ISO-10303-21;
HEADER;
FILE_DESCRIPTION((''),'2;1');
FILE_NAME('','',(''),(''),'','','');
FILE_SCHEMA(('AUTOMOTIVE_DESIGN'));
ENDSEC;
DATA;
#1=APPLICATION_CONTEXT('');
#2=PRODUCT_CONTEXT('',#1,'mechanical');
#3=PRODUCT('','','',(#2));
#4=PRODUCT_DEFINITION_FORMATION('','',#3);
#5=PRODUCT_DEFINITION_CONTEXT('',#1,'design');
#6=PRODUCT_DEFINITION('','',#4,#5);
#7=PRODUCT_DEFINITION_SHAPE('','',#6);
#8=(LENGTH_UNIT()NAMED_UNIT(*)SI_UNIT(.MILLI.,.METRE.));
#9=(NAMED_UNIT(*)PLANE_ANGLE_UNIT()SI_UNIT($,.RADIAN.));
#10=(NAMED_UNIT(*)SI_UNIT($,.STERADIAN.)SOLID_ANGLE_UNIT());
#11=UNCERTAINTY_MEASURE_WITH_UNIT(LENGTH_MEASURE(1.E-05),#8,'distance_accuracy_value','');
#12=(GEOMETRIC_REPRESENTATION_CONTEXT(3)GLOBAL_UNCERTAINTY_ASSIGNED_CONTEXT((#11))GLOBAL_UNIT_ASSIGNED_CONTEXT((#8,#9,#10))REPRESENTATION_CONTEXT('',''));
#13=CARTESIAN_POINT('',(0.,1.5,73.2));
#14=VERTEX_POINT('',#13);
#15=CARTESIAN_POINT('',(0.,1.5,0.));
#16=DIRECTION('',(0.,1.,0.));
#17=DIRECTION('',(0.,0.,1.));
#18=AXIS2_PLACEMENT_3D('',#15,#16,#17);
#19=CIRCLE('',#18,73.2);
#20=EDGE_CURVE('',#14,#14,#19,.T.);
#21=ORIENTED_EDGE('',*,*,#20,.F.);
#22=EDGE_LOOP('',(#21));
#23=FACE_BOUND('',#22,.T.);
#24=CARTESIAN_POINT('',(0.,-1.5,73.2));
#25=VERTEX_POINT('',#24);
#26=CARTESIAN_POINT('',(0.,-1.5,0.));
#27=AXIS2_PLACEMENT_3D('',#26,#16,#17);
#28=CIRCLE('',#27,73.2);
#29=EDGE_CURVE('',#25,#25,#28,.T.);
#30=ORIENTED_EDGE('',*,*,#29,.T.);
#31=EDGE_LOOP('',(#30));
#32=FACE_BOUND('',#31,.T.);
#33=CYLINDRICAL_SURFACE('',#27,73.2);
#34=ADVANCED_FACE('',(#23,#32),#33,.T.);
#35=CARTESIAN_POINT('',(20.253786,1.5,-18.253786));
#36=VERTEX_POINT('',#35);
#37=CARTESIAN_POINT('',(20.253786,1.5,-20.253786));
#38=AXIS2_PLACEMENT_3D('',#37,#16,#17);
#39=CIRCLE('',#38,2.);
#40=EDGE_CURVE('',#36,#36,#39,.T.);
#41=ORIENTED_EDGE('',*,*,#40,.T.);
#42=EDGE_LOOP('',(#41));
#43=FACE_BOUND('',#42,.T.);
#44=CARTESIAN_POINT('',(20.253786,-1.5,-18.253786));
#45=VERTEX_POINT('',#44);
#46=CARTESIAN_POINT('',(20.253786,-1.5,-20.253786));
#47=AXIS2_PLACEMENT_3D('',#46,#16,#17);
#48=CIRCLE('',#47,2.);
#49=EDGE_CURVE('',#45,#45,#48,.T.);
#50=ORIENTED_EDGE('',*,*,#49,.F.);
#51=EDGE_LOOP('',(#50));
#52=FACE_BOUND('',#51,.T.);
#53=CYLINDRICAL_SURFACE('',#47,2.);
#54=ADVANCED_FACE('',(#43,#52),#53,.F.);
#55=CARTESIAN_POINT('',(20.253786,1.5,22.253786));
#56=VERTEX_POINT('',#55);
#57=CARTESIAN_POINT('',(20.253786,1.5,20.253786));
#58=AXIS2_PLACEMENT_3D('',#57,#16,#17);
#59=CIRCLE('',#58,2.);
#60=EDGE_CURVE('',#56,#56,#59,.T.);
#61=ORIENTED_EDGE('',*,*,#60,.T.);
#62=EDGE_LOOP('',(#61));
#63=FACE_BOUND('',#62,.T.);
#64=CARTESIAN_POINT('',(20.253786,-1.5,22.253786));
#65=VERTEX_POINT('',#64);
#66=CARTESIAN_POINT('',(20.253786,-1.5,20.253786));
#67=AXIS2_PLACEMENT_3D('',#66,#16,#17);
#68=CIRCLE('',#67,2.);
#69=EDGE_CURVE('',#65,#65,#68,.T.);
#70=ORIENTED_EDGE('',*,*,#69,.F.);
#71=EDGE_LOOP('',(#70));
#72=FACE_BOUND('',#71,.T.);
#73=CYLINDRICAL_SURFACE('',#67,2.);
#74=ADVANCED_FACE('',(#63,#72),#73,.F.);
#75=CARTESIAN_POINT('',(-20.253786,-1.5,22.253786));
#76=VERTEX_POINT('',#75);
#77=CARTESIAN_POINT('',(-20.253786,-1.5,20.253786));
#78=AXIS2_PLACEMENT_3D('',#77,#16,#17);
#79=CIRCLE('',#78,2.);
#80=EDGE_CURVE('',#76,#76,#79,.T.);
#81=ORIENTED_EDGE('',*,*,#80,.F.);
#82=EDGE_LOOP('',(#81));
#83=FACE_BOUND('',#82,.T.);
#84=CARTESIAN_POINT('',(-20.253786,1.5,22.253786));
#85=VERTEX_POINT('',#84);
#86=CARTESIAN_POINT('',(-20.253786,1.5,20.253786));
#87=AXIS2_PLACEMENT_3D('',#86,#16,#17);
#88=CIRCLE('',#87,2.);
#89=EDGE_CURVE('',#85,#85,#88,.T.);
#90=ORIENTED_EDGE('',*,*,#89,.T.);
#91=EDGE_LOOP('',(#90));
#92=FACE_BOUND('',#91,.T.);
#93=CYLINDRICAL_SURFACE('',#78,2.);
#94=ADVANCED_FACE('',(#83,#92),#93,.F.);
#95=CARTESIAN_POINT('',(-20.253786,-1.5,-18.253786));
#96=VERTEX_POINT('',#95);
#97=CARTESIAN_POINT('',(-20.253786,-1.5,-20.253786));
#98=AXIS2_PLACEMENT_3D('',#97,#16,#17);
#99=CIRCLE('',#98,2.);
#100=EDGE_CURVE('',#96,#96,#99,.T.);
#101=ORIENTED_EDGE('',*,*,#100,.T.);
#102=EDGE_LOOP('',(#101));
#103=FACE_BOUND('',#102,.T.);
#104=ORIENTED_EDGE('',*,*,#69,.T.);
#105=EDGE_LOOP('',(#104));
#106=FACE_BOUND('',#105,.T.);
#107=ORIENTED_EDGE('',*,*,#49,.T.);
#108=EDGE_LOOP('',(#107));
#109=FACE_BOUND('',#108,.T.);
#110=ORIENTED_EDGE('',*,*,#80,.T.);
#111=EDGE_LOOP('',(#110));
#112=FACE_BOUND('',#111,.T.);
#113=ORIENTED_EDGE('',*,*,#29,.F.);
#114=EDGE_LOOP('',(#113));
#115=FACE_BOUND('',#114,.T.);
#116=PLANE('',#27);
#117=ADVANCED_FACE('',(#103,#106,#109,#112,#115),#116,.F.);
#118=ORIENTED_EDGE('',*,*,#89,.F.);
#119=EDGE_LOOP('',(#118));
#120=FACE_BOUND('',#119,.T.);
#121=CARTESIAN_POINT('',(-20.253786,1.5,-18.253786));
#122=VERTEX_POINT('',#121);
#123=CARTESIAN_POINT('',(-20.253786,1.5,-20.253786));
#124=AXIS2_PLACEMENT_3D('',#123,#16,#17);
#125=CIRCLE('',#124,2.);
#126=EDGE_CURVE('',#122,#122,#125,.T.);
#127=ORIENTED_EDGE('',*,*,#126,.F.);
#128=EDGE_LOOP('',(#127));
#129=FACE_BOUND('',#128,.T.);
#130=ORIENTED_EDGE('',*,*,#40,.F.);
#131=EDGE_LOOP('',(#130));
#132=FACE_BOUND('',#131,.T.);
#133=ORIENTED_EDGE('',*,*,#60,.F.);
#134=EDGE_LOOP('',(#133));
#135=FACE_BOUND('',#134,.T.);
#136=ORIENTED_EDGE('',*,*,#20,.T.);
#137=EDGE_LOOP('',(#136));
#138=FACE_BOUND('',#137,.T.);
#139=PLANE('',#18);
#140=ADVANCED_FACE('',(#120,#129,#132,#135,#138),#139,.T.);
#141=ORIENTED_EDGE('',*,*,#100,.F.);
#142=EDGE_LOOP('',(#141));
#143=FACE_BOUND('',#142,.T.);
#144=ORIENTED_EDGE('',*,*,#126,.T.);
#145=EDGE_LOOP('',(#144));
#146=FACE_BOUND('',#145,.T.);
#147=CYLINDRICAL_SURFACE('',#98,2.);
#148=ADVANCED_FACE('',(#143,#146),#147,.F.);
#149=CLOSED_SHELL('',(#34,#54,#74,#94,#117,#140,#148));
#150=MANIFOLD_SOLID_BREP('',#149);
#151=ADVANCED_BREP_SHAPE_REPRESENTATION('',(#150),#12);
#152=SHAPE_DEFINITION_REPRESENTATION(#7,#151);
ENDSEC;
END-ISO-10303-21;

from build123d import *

# Parameters (mm, degrees)
BOSS_EXTRUDE1_DEPTH      = 1.5
BOSS_EXTRUDE1_DEPTH_BACK = 1.5
SKETCH1_R                = 73.2
SKETCH1_R_2              = 2


with BuildPart() as part:
    # Sketch1 → Boss-Extrude1 (new, two sides: drawn at the far end of the back side and taken through both)
    with BuildSketch(Plane(origin=(0, 0, 0), x_dir=(1, 0, 0), z_dir=(0, 1, 0)).offset(-BOSS_EXTRUDE1_DEPTH_BACK)):
        Circle(SKETCH1_R)
        with Locations((20.253785579, 20.253785579)):
            Circle(SKETCH1_R_2, mode=Mode.SUBTRACT)
        with Locations((20.253785579, -20.253785579)):
            Circle(SKETCH1_R_2, mode=Mode.SUBTRACT)
        with Locations((-20.253785579, -20.253785579)):
            Circle(SKETCH1_R_2, mode=Mode.SUBTRACT)
        with Locations((-20.253785579, 20.253785579)):
            Circle(SKETCH1_R_2, mode=Mode.SUBTRACT)
    extrude(amount=BOSS_EXTRUDE1_DEPTH + BOSS_EXTRUDE1_DEPTH_BACK)


solid = part.part
